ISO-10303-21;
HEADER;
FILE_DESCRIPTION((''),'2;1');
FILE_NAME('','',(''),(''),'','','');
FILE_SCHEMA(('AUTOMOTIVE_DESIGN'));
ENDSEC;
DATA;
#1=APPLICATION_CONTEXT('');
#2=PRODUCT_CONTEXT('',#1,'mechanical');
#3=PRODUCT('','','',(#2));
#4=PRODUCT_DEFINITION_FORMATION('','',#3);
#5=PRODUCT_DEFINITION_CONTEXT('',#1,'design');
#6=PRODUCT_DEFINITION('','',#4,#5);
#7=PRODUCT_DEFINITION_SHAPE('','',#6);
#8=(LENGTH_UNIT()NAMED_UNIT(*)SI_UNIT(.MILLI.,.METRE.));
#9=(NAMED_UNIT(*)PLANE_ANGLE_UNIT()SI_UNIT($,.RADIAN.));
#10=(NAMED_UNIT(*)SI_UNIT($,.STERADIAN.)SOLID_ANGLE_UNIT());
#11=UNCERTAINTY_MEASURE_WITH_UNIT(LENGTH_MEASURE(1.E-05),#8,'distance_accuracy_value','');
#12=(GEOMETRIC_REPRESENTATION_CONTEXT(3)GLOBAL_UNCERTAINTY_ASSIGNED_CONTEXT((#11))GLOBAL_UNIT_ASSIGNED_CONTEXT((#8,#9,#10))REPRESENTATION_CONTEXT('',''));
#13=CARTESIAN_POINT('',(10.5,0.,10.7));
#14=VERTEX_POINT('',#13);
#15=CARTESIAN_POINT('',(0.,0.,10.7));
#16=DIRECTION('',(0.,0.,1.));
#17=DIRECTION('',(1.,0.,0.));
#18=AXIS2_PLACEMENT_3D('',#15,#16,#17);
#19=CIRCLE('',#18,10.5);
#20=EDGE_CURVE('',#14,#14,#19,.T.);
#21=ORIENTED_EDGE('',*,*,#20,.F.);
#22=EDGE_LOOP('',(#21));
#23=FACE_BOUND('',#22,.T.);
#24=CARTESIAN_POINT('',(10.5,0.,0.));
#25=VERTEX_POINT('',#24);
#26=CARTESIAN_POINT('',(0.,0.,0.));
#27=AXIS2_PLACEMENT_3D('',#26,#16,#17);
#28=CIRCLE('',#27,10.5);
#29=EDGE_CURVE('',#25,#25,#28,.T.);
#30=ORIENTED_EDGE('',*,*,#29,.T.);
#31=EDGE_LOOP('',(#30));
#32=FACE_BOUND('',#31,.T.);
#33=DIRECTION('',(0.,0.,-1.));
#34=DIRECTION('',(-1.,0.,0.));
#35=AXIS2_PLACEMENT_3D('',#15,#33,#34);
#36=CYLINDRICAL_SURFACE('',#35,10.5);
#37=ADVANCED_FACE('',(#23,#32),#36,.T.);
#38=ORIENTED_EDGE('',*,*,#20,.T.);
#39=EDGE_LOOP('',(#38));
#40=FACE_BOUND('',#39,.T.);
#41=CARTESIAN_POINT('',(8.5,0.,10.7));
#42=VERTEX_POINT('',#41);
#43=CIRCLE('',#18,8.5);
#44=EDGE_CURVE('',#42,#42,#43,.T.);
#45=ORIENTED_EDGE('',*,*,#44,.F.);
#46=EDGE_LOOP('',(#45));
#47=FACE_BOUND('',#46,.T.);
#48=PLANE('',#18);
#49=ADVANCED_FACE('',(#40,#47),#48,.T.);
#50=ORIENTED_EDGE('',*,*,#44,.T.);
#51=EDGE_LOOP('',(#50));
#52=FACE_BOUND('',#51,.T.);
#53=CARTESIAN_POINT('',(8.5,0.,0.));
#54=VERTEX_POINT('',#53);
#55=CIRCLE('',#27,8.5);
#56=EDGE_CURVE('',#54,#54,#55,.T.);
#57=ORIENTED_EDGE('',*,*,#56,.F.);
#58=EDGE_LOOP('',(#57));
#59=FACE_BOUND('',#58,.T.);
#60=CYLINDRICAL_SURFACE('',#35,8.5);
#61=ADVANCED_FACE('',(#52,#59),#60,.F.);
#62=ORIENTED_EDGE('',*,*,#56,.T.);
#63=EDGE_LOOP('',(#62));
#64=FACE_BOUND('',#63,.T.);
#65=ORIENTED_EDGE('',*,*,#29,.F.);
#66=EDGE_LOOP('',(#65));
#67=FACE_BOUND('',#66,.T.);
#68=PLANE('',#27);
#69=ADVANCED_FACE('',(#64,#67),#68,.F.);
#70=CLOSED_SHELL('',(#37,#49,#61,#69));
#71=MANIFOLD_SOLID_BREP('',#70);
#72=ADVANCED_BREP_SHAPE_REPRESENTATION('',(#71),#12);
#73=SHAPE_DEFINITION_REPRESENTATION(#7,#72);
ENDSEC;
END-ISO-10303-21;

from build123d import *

# Parameters (mm, degrees)
SKIZZE1_R                       = 10.5
SKIZZE1_R_2                     = 8.5
AUFSATZ_LINEAR_AUSTRAGEN1_DEPTH = 10.7


with BuildPart() as part:
    # Skizze1 → Aufsatz-Linear austragen1 (new body)
    with BuildSketch(Plane.XY):
        Circle(SKIZZE1_R)
        Circle(SKIZZE1_R_2, mode=Mode.SUBTRACT)
    extrude(amount=AUFSATZ_LINEAR_AUSTRAGEN1_DEPTH)


solid = part.part
